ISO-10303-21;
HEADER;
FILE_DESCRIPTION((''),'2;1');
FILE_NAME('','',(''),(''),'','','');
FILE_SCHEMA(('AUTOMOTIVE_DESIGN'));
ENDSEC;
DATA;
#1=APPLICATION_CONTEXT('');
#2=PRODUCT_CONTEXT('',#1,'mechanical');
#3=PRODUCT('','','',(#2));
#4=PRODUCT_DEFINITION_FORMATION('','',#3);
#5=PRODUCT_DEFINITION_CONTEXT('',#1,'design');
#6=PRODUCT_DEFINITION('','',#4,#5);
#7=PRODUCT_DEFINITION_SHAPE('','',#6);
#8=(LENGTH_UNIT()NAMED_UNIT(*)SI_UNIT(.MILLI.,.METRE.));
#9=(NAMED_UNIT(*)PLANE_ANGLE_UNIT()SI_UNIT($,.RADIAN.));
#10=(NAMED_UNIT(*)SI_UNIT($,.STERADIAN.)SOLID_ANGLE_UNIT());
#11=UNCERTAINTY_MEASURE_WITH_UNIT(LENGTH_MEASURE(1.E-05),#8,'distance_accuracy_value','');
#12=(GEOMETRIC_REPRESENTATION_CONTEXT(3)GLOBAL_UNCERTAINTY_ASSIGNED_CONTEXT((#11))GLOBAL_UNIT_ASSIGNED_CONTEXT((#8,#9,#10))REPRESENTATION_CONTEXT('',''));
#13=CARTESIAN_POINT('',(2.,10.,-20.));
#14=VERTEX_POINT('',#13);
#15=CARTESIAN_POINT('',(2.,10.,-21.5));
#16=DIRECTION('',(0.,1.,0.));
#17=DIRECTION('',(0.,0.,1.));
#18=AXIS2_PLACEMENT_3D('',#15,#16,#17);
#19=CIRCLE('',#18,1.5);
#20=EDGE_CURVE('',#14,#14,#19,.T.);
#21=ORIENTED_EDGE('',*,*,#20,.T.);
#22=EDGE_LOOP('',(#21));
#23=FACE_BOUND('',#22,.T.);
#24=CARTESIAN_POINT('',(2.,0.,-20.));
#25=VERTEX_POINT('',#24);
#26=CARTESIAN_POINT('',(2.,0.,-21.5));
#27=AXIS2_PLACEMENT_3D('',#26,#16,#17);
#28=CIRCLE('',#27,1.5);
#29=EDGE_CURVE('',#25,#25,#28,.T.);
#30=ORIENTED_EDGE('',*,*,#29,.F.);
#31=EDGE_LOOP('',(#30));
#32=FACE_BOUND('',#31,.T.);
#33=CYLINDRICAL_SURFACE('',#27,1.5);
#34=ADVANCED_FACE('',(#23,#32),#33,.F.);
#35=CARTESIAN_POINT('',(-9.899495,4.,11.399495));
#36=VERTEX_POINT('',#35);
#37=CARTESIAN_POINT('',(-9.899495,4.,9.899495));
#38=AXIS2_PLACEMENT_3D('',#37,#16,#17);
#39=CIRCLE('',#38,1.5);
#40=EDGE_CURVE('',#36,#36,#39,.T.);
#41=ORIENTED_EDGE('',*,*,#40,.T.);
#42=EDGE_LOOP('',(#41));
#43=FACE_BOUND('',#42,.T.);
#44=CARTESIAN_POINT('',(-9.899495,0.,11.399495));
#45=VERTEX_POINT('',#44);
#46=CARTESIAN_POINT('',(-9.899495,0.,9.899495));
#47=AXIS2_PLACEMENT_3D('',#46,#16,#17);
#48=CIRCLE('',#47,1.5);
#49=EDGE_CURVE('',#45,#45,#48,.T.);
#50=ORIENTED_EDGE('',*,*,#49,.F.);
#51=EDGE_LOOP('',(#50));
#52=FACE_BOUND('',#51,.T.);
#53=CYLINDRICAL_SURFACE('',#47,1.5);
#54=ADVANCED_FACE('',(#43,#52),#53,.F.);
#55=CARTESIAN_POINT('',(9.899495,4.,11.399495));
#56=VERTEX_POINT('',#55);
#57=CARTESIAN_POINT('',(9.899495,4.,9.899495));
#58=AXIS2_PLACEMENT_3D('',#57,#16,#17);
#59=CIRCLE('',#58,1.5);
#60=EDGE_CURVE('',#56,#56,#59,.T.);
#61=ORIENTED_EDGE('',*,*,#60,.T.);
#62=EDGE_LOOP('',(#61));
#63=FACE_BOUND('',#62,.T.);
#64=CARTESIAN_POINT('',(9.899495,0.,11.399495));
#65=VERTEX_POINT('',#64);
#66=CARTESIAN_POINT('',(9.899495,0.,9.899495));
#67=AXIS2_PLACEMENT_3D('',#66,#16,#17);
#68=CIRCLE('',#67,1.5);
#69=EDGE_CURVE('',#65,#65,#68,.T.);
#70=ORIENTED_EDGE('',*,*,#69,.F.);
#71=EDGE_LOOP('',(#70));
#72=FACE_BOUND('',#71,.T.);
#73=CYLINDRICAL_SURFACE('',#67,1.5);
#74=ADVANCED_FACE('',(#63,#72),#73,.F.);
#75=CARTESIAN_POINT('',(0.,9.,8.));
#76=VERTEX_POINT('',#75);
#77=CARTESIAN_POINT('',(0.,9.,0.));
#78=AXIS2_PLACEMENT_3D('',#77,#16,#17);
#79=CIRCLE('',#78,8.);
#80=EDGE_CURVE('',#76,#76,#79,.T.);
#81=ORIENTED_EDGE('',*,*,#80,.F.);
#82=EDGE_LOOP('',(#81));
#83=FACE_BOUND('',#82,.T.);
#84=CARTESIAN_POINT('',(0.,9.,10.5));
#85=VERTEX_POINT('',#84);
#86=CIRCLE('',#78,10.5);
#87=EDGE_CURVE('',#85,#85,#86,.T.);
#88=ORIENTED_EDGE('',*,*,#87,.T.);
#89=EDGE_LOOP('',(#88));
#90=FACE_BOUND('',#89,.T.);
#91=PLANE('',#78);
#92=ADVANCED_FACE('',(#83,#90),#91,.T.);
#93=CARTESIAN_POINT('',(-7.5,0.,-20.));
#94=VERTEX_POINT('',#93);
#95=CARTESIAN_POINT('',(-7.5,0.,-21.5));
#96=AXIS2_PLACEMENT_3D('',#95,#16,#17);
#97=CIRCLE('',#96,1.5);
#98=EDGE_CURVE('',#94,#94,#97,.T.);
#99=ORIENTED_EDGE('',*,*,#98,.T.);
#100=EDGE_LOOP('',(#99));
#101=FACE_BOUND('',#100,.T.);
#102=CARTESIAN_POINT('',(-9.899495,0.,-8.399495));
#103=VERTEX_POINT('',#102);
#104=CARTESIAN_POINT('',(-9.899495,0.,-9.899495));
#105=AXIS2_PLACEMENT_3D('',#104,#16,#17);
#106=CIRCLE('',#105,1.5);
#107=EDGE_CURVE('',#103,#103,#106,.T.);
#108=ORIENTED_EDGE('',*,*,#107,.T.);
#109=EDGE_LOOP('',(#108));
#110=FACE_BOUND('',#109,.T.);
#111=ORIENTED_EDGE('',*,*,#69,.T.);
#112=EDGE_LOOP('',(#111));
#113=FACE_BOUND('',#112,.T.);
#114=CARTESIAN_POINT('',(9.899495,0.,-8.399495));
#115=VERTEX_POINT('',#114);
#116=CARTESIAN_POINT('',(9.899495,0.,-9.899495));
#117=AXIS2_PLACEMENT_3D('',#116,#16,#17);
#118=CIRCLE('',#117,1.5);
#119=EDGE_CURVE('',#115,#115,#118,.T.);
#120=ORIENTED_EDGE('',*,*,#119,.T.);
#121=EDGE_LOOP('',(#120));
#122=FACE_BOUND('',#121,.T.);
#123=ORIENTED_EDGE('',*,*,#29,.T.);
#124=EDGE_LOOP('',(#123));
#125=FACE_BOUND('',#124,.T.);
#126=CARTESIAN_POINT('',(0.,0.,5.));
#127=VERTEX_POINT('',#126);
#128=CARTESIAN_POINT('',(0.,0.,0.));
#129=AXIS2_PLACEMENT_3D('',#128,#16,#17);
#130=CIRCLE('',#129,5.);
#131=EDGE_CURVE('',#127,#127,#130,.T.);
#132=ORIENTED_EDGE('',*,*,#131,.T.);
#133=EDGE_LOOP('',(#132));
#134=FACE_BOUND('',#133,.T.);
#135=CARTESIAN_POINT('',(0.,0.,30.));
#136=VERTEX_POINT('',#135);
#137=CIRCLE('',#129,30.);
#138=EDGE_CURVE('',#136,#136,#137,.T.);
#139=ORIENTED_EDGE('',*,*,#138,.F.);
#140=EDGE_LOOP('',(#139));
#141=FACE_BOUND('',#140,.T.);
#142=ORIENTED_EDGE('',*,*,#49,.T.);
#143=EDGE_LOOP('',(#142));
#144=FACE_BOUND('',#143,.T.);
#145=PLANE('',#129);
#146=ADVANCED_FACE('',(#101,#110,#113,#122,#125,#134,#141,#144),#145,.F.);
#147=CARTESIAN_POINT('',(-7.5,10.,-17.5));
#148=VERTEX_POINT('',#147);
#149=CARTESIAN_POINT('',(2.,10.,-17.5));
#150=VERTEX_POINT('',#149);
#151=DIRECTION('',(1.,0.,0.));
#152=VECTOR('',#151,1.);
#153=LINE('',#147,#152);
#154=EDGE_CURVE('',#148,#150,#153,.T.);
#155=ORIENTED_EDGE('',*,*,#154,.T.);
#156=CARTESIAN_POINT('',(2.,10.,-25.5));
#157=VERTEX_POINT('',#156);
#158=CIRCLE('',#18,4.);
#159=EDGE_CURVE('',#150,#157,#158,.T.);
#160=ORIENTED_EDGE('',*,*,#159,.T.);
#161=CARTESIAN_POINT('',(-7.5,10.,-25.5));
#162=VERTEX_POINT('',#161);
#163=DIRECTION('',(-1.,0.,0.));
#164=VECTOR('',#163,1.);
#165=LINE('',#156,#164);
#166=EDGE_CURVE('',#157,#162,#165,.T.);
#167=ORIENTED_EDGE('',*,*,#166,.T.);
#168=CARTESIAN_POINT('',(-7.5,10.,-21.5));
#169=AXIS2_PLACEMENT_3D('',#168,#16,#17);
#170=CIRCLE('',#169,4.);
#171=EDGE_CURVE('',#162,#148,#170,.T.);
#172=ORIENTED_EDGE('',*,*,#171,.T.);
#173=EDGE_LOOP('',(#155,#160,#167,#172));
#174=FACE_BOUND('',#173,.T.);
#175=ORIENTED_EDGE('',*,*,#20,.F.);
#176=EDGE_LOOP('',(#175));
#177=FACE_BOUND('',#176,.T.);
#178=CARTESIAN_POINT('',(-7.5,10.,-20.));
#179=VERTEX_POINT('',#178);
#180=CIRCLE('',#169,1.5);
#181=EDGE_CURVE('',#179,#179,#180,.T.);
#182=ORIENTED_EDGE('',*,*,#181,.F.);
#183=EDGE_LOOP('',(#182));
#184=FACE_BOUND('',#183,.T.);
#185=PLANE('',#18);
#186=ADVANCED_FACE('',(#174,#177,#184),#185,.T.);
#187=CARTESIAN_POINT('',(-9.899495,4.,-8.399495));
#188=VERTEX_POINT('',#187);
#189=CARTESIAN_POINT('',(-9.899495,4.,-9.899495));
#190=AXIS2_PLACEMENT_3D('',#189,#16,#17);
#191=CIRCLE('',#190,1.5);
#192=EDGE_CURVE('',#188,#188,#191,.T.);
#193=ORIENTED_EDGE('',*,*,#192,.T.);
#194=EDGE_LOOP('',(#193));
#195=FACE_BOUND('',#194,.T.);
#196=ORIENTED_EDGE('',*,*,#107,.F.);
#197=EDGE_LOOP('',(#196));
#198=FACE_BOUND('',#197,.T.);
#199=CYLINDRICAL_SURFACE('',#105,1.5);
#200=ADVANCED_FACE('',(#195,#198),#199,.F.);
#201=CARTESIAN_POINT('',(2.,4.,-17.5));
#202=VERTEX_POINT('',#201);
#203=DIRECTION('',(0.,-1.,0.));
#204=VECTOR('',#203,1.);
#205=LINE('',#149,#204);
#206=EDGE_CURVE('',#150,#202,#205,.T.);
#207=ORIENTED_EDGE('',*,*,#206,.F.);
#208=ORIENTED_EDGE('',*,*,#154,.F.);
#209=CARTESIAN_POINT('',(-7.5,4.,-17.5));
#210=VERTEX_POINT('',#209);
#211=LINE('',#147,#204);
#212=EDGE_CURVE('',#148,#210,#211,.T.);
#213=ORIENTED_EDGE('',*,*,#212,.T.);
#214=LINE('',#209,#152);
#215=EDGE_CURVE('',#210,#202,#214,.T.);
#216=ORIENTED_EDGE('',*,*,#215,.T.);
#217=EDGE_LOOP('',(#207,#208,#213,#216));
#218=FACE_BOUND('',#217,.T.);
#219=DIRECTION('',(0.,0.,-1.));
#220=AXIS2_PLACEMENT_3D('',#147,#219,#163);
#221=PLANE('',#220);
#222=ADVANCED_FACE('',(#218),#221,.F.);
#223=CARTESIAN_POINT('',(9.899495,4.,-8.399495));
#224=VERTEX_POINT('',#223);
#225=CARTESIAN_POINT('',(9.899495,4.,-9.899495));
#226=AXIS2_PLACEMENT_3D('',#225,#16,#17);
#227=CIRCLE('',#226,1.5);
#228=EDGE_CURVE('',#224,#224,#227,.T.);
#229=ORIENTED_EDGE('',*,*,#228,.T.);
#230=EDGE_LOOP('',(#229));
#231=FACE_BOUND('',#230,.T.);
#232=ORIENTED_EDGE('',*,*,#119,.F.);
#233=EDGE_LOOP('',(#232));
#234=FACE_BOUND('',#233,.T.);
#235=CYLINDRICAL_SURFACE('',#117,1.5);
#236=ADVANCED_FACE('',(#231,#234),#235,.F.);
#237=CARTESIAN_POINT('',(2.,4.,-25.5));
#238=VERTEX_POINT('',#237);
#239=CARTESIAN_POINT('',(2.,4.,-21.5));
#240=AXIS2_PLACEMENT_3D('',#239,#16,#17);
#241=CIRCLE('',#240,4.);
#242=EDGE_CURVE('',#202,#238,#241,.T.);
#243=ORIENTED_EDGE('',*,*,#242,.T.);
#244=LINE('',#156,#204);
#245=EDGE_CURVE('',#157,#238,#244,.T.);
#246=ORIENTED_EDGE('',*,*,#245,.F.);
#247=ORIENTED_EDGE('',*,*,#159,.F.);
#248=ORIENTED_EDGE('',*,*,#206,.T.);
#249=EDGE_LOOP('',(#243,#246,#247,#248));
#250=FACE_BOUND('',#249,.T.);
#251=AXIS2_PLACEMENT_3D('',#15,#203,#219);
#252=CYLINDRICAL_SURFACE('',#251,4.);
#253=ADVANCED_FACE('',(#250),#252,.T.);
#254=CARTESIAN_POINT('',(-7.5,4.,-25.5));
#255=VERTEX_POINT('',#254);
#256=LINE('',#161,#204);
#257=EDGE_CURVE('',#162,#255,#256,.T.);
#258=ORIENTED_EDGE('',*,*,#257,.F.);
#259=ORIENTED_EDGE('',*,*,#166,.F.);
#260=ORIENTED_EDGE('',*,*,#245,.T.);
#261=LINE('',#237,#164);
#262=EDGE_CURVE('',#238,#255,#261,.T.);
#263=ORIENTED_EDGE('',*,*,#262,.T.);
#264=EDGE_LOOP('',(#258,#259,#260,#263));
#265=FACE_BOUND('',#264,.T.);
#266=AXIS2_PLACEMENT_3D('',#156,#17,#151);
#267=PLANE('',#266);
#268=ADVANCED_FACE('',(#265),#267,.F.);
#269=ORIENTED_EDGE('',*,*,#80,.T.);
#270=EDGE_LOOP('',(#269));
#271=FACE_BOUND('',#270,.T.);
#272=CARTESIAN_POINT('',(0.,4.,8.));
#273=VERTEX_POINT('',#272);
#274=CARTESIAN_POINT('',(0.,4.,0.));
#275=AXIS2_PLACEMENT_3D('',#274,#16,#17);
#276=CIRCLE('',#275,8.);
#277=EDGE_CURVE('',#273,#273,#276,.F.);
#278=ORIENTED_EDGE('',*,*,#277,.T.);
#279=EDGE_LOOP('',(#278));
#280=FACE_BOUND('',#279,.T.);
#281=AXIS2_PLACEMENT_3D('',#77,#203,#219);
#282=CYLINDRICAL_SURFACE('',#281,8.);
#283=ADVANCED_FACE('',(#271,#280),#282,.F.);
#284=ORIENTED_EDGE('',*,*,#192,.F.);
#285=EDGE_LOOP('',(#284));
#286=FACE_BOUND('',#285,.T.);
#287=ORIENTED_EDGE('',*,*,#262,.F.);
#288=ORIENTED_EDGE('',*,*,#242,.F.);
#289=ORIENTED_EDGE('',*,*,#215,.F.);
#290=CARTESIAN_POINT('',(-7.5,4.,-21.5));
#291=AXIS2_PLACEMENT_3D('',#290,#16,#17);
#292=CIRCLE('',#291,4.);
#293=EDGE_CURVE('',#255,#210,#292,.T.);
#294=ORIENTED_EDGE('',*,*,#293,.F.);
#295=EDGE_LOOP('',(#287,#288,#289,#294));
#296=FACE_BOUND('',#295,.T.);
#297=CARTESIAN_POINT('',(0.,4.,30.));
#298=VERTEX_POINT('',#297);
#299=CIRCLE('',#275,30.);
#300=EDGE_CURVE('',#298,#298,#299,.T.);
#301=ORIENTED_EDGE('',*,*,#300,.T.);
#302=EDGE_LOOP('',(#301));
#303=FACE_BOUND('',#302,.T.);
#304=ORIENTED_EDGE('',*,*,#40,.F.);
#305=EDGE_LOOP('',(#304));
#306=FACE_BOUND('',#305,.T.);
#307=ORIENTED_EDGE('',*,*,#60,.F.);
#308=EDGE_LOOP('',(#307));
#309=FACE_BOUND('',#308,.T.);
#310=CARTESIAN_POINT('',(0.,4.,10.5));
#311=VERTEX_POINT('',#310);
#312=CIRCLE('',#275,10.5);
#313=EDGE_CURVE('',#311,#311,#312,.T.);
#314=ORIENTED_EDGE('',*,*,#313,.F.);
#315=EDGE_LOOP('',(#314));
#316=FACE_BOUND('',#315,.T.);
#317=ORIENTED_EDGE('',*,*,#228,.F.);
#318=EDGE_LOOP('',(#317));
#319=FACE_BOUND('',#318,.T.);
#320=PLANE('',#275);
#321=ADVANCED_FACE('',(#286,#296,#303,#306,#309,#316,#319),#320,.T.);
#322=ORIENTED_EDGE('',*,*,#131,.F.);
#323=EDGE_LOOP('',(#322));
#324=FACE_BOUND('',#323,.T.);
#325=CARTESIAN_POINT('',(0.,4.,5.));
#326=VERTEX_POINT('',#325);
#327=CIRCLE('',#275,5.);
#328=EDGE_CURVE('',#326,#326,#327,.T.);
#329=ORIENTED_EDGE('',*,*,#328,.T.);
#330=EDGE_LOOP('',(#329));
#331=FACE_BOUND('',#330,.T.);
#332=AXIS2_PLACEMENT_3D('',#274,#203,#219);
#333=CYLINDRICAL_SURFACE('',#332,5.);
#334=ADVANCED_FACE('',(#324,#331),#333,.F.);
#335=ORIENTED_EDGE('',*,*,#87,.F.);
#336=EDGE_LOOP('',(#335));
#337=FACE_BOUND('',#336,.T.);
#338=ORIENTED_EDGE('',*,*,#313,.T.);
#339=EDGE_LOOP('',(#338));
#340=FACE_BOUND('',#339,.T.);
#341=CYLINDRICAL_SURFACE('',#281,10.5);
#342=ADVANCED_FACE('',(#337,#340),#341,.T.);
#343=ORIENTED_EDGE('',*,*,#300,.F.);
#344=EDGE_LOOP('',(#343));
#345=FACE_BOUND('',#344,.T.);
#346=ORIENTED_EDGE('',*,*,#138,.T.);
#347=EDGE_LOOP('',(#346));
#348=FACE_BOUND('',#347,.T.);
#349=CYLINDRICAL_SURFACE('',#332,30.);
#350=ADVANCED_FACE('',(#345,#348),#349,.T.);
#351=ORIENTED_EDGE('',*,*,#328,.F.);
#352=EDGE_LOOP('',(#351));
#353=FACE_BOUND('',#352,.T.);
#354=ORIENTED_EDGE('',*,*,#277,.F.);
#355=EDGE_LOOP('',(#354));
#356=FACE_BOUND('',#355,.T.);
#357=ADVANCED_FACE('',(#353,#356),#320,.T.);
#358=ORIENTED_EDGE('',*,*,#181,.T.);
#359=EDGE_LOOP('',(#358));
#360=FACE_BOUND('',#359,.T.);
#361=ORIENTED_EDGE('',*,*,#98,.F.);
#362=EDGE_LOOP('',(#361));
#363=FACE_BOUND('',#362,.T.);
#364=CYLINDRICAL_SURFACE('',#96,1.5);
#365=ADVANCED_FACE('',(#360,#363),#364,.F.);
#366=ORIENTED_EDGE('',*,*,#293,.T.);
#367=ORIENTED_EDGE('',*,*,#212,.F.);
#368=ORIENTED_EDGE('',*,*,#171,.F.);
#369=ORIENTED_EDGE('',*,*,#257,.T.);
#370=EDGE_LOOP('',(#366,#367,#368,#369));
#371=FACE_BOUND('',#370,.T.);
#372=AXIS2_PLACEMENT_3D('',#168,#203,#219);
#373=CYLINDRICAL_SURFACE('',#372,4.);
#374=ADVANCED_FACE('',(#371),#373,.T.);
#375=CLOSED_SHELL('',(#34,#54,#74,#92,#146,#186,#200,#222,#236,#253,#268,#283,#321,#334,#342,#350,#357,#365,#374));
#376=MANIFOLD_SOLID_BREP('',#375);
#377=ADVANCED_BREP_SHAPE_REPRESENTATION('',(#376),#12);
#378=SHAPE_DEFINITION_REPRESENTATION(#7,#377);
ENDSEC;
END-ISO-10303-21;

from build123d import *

# Parameters (mm, degrees)
SKETCH1_R           = 30
SKETCH1_R_2         = 5
BOSS_EXTRUDE1_DEPTH = 4
SKETCH4_R           = 10.5
SKETCH4_R_2         = 8
BOSS_EXTRUDE2_DEPTH = 5
SKETCH6_R           = 1.5
CUT_EXTRUDE3_DEPTH  = 5
SKETCH7_R           = 1.5
BOSS_EXTRUDE3_DEPTH = 6
SKETCH8_R           = 1.5
CUT_EXTRUDE4_DEPTH  = 5


with BuildPart() as part:
    # Sketch1 → Boss-Extrude1 (new body)
    with BuildSketch(Plane(origin=(0, 0, 0), x_dir=(1, 0, 0), z_dir=(0, 1, 0))):
        Circle(SKETCH1_R)
        Circle(SKETCH1_R_2, mode=Mode.SUBTRACT)
    extrude(amount=BOSS_EXTRUDE1_DEPTH)

    # Sketch4 → Boss-Extrude2 (add)
    with BuildSketch(Plane(origin=(0, 4, 0), x_dir=(1, 0, 0), z_dir=(0, 1, 0))):
        Circle(SKETCH4_R)
        Circle(SKETCH4_R_2, mode=Mode.SUBTRACT)
    extrude(amount=BOSS_EXTRUDE2_DEPTH)

    # Sketch6 → Cut-Extrude3 (cut, through all)
    with BuildSketch(Plane(origin=(0, 4, 0), x_dir=(1, 0, 0), z_dir=(0, 1, 0))):
        with Locations((-7.5, 21.5)):
            Circle(SKETCH6_R)
        with Locations((2, 21.5)):
            Circle(SKETCH6_R)
    extrude(amount=-CUT_EXTRUDE3_DEPTH, mode=Mode.SUBTRACT)

    # Sketch7 → Boss-Extrude3 (add)
    with BuildSketch(Plane(origin=(0, 4, 0), x_dir=(1, 0, 0), z_dir=(0, 1, 0))):
        with BuildLine():
            Line((2, 25.5), (-7.5, 25.5))
            ThreePointArc((-7.5, 25.5), (-11.5, 21.5), (-7.5, 17.5))
            Line((-7.5, 17.5), (2, 17.5))
            ThreePointArc((2, 17.5), (6, 21.5), (2, 25.5))
        make_face()
        with Locations((-7.5, 21.5)):
            Circle(SKETCH7_R, mode=Mode.SUBTRACT)
        with Locations((2, 21.5)):
            Circle(SKETCH7_R, mode=Mode.SUBTRACT)
    extrude(amount=BOSS_EXTRUDE3_DEPTH)

    # Sketch8 → Cut-Extrude4 (cut, through all)
    with BuildSketch(Plane(origin=(0, 4, 0), x_dir=(1, 0, 0), z_dir=(0, 1, 0))):
        with Locations((-9.899494937, 9.899494937)):
            Circle(SKETCH8_R)
        with Locations((9.899494937, 9.899494937)):
            Circle(SKETCH8_R)
        with Locations((9.899494937, -9.899494937)):
            Circle(SKETCH8_R)
        with Locations((-9.899494937, -9.899494937)):
            Circle(SKETCH8_R)
    extrude(amount=-CUT_EXTRUDE4_DEPTH, mode=Mode.SUBTRACT)


solid = part.part
